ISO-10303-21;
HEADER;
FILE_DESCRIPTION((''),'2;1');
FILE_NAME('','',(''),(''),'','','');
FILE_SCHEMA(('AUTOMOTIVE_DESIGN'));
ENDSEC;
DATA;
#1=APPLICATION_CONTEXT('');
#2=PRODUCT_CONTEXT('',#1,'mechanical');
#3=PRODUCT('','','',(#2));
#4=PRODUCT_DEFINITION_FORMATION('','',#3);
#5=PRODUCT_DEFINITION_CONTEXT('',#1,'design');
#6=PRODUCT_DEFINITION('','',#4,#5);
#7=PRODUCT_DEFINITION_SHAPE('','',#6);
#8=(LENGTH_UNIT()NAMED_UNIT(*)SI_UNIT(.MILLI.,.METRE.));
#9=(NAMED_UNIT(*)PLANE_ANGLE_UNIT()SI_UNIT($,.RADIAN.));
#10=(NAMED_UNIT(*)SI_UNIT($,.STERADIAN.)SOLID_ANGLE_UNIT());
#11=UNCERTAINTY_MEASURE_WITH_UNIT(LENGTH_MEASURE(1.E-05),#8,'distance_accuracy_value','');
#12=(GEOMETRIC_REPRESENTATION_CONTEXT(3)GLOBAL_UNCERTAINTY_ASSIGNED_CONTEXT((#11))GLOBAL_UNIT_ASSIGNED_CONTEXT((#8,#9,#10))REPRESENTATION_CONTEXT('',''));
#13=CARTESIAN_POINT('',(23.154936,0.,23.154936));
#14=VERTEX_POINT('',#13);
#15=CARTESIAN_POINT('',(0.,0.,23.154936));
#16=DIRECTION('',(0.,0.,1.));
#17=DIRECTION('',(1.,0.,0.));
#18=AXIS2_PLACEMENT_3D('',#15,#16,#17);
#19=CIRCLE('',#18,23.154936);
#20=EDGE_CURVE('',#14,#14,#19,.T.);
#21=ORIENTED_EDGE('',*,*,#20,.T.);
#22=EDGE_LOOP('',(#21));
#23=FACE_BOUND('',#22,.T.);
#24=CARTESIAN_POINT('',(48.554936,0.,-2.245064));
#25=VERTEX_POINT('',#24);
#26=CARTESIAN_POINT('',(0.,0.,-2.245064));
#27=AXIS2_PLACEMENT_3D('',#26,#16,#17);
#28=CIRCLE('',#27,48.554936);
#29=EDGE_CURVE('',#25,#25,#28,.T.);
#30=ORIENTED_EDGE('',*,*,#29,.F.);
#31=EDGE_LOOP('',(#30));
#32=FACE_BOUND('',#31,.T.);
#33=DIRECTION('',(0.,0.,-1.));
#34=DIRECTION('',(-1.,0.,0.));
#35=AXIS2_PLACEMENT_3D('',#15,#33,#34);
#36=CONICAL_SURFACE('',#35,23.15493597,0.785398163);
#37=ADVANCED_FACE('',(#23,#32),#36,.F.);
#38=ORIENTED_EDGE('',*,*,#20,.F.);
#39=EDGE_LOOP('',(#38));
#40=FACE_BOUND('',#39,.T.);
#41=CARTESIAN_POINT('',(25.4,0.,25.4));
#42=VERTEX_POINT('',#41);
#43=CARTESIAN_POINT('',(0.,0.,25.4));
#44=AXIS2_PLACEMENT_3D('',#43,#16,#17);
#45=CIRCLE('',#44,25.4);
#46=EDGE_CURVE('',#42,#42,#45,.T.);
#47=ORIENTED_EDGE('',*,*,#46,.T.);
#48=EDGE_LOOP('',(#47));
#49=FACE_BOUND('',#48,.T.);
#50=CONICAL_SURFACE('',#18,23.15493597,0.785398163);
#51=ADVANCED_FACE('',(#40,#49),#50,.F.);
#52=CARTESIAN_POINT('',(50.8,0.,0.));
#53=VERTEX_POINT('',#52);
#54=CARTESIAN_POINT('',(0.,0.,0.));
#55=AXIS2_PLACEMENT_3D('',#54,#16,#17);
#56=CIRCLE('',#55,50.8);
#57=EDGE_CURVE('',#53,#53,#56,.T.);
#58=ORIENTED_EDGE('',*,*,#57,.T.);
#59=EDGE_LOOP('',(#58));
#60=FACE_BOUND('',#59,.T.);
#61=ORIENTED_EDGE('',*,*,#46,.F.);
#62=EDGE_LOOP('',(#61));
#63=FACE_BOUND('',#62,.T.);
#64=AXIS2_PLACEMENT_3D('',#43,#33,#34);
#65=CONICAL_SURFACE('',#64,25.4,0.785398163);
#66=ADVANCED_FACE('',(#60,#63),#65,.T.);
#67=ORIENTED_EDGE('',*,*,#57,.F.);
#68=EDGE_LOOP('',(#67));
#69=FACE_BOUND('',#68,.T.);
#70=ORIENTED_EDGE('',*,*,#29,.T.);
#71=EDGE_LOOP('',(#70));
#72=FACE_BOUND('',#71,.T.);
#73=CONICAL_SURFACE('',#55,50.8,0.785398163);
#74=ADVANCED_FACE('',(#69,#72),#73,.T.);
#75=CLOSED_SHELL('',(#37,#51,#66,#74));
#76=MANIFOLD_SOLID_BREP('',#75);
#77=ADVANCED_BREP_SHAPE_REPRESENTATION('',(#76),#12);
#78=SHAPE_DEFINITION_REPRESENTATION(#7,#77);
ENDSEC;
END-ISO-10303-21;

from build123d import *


with BuildPart() as part:
    # Sketch1 → Revolve-Thin1 (revolve)
    with BuildSketch(Plane.YZ, mode=Mode.PRIVATE) as revolve_thin1_sk:
        Polygon((25.4, 25.4), (50.8, 0), (48.55493597, -2.24506403), (23.15493597, 23.15493597), align=None)
    revolve(revolve_thin1_sk.sketch.rotate(Axis((0, 0, 26.67), (0, 0, -1)), 90), axis=Axis((0, 0, 26.67), (0, 0, -1)))


solid = part.part
